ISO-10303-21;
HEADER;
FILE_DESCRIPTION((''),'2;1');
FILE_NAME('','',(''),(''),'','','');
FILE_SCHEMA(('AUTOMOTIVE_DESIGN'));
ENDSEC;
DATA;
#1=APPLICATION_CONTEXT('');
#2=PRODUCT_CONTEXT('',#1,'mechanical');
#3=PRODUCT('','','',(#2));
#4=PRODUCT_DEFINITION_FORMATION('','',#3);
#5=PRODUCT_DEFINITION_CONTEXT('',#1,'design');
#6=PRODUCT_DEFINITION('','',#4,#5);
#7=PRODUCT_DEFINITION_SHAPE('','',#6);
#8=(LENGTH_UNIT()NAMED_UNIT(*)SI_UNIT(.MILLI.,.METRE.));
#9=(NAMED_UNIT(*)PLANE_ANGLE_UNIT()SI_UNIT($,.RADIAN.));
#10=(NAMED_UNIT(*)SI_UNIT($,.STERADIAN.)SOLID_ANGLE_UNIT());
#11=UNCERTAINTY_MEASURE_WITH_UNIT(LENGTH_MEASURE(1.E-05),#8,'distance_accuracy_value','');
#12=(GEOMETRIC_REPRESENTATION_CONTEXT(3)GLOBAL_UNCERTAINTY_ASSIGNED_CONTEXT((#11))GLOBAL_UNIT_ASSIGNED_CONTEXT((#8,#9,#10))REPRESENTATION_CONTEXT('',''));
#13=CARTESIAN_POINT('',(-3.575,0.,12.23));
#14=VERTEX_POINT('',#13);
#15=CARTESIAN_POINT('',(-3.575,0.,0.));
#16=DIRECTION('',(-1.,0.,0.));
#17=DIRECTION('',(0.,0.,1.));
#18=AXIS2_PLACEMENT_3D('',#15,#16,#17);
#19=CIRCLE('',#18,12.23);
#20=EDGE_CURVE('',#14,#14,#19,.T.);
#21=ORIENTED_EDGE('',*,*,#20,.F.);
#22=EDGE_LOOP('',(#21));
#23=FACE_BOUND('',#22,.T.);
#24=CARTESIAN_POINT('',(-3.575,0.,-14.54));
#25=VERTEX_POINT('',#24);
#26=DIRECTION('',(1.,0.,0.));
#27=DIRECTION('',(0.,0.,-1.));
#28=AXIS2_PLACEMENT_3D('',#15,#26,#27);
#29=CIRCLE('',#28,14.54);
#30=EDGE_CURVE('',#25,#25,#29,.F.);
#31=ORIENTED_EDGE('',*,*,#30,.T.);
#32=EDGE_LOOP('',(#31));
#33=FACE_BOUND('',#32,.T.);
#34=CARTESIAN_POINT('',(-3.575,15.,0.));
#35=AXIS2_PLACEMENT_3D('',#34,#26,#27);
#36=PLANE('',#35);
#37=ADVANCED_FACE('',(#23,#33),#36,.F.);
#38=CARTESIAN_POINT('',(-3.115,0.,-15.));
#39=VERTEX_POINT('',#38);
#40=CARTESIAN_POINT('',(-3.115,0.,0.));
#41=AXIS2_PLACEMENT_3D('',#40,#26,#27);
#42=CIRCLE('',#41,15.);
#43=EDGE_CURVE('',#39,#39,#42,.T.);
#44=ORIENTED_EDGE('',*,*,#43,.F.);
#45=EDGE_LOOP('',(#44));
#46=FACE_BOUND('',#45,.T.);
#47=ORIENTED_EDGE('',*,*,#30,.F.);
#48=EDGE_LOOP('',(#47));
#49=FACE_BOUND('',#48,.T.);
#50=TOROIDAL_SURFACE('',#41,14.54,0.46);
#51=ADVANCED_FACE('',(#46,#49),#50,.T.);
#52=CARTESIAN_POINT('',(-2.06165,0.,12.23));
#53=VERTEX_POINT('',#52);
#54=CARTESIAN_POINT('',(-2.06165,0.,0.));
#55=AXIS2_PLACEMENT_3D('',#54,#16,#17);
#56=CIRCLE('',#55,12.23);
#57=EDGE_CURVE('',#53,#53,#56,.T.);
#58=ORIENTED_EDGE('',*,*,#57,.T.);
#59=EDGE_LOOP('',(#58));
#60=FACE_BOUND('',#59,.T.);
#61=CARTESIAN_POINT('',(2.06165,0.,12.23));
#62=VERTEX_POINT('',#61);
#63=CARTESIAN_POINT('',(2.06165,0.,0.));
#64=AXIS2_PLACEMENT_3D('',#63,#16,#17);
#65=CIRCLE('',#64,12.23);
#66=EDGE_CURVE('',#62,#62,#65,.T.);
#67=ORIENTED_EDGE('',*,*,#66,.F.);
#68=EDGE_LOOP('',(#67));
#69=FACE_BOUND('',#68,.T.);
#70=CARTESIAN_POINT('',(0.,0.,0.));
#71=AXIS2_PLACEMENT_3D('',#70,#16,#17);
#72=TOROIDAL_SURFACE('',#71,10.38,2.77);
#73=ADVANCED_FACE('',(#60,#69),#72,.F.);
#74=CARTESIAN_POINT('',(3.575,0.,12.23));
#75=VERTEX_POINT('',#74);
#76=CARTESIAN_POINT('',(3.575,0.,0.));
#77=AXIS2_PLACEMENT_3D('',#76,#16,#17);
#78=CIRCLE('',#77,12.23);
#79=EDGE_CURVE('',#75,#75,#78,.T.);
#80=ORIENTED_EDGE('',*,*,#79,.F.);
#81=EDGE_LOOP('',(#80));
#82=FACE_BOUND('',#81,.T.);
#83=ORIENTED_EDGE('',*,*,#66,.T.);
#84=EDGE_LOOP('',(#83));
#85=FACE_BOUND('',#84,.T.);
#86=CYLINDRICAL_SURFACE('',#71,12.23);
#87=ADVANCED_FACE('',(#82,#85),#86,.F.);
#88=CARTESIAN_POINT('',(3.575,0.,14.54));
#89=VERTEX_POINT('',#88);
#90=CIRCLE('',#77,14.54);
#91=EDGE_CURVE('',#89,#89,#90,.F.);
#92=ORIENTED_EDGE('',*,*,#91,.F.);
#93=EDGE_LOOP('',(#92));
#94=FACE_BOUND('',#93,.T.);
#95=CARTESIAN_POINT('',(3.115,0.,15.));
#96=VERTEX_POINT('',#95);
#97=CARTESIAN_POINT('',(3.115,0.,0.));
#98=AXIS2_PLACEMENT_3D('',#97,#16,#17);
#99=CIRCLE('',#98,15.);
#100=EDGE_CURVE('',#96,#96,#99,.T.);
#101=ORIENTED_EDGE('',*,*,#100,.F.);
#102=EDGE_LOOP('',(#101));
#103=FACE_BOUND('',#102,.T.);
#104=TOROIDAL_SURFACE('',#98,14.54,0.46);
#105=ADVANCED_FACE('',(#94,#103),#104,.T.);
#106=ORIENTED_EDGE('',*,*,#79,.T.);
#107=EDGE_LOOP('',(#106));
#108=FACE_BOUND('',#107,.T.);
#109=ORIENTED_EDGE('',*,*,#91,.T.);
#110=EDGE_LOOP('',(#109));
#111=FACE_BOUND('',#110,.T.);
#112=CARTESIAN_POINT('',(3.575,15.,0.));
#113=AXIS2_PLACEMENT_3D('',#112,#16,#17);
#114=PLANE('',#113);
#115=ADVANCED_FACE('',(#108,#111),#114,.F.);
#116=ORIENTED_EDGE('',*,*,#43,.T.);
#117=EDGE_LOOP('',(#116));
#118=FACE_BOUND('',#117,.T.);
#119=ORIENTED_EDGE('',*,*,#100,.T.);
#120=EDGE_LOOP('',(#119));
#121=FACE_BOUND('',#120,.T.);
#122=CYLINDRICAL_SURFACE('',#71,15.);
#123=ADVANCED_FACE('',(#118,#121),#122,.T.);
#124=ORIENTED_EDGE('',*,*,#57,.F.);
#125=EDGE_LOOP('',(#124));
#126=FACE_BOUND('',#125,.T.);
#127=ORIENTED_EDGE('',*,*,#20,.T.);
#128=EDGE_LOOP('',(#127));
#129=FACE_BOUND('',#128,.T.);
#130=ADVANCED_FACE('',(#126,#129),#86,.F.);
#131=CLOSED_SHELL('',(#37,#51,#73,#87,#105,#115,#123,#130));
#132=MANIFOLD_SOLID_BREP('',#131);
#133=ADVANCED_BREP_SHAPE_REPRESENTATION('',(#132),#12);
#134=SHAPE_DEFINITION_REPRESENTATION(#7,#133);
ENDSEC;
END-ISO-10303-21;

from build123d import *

# Parameters (mm, degrees)
FILLET_1_R = 0.46


with BuildPart() as part:
    # 草图1 → 旋转1 (revolve)
    with BuildSketch(Plane.XY, mode=Mode.PRIVATE) as revolve_1_sk:
        with BuildLine():
            Line((2.061649825, 12.23), (3.575, 12.23))
            Line((3.575, 12.23), (3.575, 15))
            Line((3.575, 15), (-3.575, 15))
            Line((-3.575, 15), (-3.575, 12.23))
            Line((-3.575, 12.23), (-2.061649825, 12.23))
            ThreePointArc((-2.061649825, 12.23), (0, 13.15), (2.061649825, 12.23))
        make_face()
    revolve(revolve_1_sk.sketch.rotate(Axis((0, 0, 0), (1, 0, 0)), 90), axis=Axis((0, 0, 0), (1, 0, 0)))

    # 圆角1
    fillet_1_edges = [part.edges().sort_by_distance(p)[0] for p in [
        (3.575, 0, -15),
        (-3.575, 0, -15),
    ]]
    fillet(fillet_1_edges, radius=FILLET_1_R)


solid = part.part
